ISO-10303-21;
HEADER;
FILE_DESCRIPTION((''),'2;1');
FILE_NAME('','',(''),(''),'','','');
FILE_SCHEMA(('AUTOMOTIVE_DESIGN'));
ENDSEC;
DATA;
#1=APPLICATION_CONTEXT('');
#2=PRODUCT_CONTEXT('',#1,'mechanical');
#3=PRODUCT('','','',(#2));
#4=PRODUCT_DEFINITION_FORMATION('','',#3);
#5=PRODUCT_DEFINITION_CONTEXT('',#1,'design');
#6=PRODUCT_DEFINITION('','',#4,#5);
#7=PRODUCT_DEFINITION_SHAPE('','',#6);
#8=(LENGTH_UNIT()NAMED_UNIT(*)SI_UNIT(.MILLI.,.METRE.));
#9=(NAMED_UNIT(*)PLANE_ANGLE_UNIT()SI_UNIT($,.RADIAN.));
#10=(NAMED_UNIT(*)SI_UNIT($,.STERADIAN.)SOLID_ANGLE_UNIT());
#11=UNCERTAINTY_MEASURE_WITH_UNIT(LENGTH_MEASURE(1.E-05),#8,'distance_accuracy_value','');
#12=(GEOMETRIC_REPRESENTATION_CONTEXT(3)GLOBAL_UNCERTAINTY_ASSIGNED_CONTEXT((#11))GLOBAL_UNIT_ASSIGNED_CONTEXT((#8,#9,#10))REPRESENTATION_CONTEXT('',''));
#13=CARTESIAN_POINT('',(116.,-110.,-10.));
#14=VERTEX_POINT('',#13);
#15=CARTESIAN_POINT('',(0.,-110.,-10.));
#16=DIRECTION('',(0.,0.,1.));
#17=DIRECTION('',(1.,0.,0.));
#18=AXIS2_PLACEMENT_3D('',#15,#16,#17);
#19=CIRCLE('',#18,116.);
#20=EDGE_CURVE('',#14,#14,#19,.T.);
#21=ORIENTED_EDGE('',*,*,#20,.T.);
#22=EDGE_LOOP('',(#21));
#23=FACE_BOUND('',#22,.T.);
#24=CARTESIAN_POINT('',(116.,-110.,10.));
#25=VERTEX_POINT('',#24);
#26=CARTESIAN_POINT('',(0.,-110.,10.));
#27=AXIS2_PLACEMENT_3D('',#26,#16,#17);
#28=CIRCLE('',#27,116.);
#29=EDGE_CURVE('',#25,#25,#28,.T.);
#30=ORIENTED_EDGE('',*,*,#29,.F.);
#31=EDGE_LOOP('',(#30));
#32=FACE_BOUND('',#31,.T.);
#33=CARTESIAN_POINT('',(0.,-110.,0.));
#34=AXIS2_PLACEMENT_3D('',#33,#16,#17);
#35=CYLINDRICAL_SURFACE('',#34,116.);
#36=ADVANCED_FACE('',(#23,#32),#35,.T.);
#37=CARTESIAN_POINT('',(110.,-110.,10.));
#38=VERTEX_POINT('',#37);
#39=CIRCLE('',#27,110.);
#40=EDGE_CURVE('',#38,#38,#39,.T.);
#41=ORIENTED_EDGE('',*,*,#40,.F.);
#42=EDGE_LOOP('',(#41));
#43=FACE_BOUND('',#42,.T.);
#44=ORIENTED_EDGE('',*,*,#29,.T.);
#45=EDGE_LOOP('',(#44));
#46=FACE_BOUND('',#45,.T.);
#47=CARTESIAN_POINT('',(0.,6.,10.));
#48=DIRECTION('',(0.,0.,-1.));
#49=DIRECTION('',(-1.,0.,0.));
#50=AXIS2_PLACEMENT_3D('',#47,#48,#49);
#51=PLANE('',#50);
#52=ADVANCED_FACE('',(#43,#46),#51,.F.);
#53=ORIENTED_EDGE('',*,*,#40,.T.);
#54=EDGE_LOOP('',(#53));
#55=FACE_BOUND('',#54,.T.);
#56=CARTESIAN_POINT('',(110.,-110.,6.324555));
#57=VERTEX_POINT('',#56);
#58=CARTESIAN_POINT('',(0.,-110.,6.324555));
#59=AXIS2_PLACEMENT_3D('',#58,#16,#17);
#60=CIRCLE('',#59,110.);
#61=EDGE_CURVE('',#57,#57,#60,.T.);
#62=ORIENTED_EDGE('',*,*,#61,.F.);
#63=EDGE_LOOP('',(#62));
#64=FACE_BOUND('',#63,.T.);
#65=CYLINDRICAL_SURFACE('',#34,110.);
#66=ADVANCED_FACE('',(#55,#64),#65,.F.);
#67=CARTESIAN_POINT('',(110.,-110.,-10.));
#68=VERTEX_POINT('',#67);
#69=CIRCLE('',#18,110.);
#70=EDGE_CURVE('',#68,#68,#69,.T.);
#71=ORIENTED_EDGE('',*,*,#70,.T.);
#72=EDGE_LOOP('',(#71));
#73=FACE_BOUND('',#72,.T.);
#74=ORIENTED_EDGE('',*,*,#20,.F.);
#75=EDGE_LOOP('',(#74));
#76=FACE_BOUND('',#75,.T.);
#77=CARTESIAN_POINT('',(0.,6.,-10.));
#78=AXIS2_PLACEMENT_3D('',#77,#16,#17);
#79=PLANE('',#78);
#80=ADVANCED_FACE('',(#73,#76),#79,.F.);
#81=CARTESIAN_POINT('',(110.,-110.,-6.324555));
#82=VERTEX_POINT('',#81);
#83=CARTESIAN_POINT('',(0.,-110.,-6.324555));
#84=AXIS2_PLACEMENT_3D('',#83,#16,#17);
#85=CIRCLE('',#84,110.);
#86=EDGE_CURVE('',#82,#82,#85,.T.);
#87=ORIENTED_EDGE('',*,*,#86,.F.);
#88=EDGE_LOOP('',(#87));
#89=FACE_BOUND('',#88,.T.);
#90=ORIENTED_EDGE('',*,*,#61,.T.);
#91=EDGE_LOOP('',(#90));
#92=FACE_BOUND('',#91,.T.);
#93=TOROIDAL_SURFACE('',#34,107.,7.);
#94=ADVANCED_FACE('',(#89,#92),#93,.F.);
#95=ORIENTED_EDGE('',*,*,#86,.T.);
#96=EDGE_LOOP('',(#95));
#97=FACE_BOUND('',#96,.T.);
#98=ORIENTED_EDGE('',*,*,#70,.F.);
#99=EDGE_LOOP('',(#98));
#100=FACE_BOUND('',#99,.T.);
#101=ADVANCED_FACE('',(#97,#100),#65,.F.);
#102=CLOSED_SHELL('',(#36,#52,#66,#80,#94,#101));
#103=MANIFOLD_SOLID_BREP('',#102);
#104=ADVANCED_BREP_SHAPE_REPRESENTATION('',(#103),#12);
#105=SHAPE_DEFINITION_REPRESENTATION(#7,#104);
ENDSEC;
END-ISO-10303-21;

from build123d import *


with BuildPart() as part:
    # Sketch2 → Revolve2 (revolve)
    with BuildSketch(Plane(origin=(0, 0, 0), x_dir=(0, 0, -1), z_dir=(1, 0, 0)), mode=Mode.PRIVATE) as revolve2_sk:
        with BuildLine():
            Line((-10, 6), (10, 6))
            Line((10, 6), (10, 0))
            Line((10, 0), (6.32455532, 0))
            ThreePointArc((6.32455532, 0), (0, 4), (-6.32455532, 0))
            Line((-6.32455532, 0), (-10, 0))
            Line((-10, 0), (-10, 6))
        make_face()
    revolve(revolve2_sk.sketch.rotate(Axis((0, -110, 0), (0, 0, -1)), 90), axis=Axis((0, -110, 0), (0, 0, -1)))


solid = part.part
